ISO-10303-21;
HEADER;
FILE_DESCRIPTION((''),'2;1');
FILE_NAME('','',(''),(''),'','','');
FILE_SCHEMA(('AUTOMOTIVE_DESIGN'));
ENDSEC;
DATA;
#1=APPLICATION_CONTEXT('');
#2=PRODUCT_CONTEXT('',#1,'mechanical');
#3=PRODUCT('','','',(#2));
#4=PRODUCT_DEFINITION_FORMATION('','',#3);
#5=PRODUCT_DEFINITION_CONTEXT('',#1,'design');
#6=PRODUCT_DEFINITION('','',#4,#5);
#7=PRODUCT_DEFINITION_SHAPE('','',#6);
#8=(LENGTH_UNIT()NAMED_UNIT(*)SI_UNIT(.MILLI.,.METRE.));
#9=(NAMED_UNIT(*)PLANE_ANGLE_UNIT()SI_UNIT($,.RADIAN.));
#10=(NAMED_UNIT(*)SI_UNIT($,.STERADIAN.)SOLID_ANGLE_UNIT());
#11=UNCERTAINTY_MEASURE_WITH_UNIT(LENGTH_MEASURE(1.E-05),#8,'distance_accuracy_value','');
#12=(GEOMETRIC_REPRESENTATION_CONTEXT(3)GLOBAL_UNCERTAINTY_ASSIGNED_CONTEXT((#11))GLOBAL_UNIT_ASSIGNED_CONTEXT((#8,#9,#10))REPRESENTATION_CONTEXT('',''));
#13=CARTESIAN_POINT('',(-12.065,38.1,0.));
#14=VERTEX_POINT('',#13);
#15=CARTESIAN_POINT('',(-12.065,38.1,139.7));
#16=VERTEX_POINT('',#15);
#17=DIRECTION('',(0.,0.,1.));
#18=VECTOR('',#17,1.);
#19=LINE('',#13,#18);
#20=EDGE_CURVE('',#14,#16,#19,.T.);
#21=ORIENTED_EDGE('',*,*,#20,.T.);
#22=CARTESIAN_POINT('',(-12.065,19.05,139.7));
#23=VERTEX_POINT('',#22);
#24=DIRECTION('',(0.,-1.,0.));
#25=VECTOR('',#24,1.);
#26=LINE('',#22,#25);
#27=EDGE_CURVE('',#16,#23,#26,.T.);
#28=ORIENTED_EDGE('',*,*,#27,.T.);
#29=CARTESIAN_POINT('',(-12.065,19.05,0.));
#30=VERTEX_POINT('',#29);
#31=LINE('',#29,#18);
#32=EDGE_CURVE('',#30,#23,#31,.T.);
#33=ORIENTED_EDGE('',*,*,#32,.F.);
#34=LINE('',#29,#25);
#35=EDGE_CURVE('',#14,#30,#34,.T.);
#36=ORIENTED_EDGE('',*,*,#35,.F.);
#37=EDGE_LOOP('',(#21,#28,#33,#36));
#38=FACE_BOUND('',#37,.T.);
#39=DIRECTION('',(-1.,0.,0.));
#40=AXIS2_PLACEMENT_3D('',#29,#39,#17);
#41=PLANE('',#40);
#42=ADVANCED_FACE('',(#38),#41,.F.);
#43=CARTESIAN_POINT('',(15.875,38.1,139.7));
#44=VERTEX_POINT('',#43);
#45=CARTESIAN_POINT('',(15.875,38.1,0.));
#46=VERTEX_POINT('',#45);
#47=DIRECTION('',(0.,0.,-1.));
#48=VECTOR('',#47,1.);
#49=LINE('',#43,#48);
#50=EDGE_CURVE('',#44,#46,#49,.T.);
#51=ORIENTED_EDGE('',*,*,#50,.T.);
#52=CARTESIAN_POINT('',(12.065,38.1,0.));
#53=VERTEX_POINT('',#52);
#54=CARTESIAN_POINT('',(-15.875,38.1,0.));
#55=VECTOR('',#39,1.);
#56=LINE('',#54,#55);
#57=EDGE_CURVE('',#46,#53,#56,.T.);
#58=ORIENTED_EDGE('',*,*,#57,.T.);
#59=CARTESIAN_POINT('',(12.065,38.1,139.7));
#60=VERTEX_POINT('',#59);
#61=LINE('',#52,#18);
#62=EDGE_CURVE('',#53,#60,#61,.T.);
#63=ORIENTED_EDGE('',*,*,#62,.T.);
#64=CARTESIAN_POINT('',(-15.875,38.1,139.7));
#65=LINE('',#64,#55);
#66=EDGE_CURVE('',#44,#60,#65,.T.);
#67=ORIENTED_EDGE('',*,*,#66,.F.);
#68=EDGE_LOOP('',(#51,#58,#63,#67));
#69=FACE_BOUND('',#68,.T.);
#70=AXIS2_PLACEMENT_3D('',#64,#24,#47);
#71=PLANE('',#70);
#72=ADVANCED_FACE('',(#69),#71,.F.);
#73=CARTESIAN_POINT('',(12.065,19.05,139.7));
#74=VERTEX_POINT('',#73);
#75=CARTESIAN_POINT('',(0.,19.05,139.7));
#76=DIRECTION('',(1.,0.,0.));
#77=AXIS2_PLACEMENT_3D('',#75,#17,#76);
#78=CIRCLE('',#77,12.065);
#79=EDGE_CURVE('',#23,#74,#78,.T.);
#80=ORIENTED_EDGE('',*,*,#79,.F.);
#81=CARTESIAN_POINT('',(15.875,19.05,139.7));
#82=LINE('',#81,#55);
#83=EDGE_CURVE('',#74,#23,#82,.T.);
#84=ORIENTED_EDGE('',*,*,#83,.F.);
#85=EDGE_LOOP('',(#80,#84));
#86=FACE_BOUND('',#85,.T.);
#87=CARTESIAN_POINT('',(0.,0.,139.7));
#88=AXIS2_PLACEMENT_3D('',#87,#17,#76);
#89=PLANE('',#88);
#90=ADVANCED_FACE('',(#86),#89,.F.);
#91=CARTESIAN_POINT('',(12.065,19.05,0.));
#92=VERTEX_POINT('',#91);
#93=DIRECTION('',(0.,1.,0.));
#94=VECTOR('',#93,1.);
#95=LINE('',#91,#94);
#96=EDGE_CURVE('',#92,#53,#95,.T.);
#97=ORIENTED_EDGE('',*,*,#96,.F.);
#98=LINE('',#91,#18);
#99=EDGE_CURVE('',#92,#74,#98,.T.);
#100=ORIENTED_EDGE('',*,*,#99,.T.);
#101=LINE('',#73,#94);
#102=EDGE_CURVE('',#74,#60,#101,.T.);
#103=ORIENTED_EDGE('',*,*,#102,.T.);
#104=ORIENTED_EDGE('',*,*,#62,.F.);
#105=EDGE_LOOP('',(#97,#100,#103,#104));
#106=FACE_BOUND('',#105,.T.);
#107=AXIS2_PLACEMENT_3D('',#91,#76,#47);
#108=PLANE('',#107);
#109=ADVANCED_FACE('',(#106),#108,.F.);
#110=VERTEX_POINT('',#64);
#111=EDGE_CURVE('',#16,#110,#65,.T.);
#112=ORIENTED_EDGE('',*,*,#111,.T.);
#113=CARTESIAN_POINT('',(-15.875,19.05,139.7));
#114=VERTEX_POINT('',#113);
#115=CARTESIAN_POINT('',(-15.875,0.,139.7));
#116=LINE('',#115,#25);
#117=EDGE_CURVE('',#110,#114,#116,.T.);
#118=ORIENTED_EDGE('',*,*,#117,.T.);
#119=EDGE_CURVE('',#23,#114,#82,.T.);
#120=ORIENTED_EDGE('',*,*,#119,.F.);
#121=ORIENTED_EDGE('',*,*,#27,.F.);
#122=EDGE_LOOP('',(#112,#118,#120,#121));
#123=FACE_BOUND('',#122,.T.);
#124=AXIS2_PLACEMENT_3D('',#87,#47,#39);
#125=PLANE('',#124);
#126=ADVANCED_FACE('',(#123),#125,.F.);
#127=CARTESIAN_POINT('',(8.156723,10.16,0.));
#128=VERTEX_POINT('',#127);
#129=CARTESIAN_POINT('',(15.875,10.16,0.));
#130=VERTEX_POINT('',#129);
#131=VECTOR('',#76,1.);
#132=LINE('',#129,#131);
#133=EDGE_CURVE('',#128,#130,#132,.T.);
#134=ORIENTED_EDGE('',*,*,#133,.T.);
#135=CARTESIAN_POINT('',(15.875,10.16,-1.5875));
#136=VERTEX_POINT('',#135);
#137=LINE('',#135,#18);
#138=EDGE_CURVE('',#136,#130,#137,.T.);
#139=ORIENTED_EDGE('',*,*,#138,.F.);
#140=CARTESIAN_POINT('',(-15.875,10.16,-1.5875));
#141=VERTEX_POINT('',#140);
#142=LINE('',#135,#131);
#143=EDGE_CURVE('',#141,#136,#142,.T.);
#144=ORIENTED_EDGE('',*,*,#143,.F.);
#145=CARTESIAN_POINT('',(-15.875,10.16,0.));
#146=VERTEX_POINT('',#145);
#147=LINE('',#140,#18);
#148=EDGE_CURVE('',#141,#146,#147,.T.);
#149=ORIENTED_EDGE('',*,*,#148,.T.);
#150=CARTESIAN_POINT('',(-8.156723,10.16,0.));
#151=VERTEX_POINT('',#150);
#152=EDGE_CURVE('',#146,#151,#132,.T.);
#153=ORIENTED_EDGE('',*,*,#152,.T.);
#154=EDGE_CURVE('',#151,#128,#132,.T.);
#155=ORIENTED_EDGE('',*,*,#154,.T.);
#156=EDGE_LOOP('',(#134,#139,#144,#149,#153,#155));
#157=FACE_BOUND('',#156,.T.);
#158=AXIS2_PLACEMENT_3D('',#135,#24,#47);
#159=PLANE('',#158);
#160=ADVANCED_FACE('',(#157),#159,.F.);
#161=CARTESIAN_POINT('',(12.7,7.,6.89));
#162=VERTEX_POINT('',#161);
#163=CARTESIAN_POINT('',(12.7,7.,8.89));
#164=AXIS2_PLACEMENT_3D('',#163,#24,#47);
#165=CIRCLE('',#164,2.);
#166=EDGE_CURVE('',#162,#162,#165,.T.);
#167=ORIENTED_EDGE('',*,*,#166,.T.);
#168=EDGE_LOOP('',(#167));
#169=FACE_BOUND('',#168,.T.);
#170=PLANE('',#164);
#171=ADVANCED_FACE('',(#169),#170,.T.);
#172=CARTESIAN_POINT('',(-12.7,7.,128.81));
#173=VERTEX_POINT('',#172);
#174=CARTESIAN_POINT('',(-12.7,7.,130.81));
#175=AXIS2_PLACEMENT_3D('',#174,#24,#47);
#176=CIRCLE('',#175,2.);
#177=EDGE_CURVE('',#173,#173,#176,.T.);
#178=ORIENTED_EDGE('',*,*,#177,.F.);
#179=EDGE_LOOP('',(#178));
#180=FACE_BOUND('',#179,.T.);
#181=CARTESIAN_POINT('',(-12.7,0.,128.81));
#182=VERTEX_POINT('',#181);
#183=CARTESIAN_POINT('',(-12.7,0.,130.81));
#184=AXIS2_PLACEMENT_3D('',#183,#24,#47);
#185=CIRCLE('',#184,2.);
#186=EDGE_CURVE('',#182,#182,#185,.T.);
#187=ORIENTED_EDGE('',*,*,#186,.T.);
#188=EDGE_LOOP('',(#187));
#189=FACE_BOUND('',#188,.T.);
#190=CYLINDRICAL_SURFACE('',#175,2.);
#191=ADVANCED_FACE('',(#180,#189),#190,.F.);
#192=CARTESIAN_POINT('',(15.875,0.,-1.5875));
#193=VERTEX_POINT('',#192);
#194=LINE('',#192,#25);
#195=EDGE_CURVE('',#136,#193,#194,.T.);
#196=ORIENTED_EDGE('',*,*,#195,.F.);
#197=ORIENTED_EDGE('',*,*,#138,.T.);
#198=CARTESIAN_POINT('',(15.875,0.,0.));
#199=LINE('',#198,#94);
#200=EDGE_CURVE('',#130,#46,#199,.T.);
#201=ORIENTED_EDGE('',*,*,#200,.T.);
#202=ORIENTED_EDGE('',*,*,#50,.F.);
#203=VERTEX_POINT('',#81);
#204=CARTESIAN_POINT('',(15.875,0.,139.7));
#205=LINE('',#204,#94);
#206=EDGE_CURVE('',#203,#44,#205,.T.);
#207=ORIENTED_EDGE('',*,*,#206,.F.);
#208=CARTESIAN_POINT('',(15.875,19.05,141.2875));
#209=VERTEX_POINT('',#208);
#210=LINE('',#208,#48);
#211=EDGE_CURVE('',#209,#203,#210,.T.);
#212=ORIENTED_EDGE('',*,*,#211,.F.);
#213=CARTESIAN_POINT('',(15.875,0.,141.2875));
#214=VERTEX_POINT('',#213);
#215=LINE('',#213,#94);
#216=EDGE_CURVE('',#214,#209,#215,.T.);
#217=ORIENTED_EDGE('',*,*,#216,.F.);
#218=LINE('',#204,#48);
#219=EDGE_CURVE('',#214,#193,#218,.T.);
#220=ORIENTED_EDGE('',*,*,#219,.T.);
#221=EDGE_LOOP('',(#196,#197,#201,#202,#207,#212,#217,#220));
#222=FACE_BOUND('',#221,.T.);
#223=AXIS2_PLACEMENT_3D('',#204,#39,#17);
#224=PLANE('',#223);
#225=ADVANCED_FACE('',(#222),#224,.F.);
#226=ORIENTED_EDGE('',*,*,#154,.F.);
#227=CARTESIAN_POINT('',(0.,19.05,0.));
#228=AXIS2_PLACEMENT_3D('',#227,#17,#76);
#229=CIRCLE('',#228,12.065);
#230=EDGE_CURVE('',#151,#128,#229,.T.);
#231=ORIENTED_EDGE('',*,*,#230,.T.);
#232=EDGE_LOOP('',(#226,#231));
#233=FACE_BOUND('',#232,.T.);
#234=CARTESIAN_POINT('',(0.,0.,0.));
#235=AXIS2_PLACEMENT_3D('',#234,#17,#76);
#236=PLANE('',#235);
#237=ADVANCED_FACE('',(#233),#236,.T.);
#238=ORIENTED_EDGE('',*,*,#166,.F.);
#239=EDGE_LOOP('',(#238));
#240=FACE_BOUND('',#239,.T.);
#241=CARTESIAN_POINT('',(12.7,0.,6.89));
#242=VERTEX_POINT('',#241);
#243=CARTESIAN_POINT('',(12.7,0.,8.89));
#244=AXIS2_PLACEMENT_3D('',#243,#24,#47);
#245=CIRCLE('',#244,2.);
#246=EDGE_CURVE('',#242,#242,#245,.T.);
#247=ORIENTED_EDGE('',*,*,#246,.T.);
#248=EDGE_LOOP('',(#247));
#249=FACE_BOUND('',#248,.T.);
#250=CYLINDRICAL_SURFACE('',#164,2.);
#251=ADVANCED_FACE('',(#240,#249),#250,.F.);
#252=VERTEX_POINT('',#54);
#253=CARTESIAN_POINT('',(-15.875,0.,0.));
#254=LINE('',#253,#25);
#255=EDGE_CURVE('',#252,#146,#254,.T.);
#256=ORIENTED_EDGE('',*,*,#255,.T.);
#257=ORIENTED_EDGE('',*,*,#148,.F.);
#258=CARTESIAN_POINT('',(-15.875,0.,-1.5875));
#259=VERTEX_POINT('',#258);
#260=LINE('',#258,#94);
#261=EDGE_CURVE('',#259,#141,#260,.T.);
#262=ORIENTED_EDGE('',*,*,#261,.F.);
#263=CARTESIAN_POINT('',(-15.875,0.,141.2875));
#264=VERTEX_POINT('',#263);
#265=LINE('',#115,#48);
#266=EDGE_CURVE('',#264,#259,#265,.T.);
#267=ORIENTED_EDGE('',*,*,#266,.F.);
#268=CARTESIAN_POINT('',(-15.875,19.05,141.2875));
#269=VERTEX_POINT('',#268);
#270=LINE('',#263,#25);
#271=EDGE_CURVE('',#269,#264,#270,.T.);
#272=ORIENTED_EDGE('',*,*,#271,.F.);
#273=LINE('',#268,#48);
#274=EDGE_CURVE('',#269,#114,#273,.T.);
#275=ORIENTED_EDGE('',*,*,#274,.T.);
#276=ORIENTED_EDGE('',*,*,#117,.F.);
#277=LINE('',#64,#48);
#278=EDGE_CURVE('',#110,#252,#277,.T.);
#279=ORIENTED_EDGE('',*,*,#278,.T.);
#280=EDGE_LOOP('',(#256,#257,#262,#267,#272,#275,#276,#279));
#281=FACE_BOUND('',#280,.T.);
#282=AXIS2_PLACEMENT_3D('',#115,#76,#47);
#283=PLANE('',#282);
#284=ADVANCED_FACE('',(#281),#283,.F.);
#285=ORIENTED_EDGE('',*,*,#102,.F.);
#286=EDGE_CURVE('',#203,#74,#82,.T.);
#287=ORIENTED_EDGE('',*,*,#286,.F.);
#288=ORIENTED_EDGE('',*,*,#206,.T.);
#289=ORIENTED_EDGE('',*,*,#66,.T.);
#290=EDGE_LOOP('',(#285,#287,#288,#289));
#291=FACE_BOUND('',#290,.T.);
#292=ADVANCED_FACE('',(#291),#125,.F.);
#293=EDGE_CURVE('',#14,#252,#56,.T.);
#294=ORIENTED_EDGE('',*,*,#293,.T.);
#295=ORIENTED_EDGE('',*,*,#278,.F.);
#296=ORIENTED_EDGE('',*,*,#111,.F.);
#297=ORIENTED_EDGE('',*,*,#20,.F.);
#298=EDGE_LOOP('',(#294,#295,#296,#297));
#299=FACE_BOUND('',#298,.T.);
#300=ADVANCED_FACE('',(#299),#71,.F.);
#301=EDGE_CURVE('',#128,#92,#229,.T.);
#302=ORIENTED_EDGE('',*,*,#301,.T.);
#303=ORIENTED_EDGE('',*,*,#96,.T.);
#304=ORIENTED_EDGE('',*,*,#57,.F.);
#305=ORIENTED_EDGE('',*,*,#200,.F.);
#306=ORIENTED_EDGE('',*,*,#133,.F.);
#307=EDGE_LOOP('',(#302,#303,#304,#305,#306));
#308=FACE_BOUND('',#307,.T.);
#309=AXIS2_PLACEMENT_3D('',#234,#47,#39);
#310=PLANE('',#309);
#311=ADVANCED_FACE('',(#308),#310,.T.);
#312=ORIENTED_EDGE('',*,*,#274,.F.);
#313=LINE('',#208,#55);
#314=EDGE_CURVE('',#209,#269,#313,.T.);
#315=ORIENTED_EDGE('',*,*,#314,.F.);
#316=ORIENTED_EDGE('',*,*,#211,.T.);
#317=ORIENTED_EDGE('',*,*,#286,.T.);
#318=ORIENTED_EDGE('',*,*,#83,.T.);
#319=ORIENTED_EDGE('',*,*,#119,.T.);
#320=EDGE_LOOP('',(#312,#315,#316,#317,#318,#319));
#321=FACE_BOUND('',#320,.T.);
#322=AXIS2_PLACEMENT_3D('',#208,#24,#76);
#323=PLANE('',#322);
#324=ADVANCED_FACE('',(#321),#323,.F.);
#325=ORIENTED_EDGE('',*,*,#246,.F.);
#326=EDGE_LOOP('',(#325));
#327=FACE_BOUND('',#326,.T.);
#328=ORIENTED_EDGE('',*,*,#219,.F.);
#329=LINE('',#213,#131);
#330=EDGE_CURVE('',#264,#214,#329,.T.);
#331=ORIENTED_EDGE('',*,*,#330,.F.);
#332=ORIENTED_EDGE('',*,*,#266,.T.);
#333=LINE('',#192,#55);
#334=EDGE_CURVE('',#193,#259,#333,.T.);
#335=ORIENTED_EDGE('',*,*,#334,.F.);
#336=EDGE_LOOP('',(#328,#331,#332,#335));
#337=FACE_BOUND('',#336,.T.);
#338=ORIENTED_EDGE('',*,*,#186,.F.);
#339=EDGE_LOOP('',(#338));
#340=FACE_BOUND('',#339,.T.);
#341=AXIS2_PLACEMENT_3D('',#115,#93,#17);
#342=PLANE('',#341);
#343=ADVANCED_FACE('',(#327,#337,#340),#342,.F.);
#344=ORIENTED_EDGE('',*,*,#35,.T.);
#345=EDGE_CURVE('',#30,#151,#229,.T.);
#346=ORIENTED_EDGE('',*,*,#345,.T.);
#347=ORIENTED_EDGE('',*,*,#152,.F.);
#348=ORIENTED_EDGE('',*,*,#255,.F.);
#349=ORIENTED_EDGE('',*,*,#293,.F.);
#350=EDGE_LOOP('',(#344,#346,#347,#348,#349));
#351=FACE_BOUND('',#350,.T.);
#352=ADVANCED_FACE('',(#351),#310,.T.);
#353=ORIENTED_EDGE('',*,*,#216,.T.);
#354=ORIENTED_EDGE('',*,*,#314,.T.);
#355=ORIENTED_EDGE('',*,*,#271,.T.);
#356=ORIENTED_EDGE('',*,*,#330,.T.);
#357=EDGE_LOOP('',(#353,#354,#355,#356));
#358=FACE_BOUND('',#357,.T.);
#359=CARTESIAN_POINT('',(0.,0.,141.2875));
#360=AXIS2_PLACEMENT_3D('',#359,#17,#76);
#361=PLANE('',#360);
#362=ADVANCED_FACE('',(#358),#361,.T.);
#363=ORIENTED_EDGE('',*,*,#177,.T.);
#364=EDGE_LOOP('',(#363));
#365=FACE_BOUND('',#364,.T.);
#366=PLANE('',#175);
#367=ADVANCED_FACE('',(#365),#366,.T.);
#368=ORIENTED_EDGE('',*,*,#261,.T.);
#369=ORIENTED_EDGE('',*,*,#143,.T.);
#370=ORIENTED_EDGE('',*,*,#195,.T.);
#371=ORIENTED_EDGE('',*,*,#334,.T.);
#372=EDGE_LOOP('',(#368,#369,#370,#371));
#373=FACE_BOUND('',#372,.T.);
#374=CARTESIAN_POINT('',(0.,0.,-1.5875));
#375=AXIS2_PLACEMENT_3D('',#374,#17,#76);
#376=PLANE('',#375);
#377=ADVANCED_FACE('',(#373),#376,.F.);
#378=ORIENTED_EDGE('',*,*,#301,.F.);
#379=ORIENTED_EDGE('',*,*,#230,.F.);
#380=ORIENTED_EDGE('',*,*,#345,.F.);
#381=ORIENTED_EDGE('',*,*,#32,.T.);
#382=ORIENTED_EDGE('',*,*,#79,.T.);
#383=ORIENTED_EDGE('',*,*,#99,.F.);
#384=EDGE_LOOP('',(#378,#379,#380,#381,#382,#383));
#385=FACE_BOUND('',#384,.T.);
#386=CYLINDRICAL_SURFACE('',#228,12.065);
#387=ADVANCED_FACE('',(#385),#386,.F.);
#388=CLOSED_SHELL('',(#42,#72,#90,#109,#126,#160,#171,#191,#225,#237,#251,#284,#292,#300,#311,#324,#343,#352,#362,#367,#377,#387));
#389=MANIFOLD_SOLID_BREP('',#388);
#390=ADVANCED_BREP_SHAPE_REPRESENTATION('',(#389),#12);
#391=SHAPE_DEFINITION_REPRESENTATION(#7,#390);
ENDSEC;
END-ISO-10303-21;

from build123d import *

# Parameters (mm, degrees)
SKETCH1_W                   = 31.75
SKETCH1_H                   = 38.1
BOSS_EXTRUDE1_DEPTH         = 139.7
CUT_EXTRUDE1_DEPTH          = 146.669885786
SKETCH3_R                   = 2
HEAT_SET_INSERT_HOLES_DEPTH = 7
SKETCH4_W                   = 31.75
SKETCH4_H                   = 19.05
BOSS_EXTRUDE2_DEPTH         = 1.5875
SKETCH5_W                   = 31.75
SKETCH5_H                   = 10.16
BOSS_EXTRUDE3_DEPTH         = 1.5875


with BuildPart() as part:
    # Sketch1 → Boss-Extrude1 (new body)
    with BuildSketch(Plane.XY):
        with Locations((0, 19.05)):
            Rectangle(SKETCH1_W, SKETCH1_H)
    extrude(amount=BOSS_EXTRUDE1_DEPTH)

    # Sketch2 → Cut-Extrude1 (cut, through all)
    with BuildSketch(Plane.XY.offset(139.7)):
        with BuildLine():
            Line((-12.065, 19.05), (-12.065, 38.1))
            Line((-12.065, 38.1), (12.065, 38.1))
            Line((12.065, 38.1), (12.065, 19.05))
            ThreePointArc((12.065, 19.05), (0, 6.985), (-12.065, 19.05))
        make_face()
    extrude(amount=-CUT_EXTRUDE1_DEPTH, mode=Mode.SUBTRACT)

    # Sketch3 → heat set insert holes (cut)
    with BuildSketch(Plane.XZ):
        with Locations(Location((-12.7, 130.81, 0), (0, 0, 270))):
            Circle(SKETCH3_R)
        with Locations(Location((12.7, 8.89, 0), (0, 0, 270))):
            Circle(SKETCH3_R)
    extrude(amount=-HEAT_SET_INSERT_HOLES_DEPTH, mode=Mode.SUBTRACT)

    # Sketch4 → Boss-Extrude2 (add)
    with BuildSketch(Plane.XY.offset(139.7)):
        with Locations((0, 9.525)):
            Rectangle(SKETCH4_W, SKETCH4_H)
    extrude(amount=BOSS_EXTRUDE2_DEPTH)

    # Sketch5 → Boss-Extrude3 (add)
    with BuildSketch(Plane(origin=(0, 0, 0), x_dir=(-1, 0, 0), z_dir=(0, 0, -1))):
        with Locations((0, 5.08)):
            Rectangle(SKETCH5_W, SKETCH5_H)
    extrude(amount=BOSS_EXTRUDE3_DEPTH)


solid = part.part
